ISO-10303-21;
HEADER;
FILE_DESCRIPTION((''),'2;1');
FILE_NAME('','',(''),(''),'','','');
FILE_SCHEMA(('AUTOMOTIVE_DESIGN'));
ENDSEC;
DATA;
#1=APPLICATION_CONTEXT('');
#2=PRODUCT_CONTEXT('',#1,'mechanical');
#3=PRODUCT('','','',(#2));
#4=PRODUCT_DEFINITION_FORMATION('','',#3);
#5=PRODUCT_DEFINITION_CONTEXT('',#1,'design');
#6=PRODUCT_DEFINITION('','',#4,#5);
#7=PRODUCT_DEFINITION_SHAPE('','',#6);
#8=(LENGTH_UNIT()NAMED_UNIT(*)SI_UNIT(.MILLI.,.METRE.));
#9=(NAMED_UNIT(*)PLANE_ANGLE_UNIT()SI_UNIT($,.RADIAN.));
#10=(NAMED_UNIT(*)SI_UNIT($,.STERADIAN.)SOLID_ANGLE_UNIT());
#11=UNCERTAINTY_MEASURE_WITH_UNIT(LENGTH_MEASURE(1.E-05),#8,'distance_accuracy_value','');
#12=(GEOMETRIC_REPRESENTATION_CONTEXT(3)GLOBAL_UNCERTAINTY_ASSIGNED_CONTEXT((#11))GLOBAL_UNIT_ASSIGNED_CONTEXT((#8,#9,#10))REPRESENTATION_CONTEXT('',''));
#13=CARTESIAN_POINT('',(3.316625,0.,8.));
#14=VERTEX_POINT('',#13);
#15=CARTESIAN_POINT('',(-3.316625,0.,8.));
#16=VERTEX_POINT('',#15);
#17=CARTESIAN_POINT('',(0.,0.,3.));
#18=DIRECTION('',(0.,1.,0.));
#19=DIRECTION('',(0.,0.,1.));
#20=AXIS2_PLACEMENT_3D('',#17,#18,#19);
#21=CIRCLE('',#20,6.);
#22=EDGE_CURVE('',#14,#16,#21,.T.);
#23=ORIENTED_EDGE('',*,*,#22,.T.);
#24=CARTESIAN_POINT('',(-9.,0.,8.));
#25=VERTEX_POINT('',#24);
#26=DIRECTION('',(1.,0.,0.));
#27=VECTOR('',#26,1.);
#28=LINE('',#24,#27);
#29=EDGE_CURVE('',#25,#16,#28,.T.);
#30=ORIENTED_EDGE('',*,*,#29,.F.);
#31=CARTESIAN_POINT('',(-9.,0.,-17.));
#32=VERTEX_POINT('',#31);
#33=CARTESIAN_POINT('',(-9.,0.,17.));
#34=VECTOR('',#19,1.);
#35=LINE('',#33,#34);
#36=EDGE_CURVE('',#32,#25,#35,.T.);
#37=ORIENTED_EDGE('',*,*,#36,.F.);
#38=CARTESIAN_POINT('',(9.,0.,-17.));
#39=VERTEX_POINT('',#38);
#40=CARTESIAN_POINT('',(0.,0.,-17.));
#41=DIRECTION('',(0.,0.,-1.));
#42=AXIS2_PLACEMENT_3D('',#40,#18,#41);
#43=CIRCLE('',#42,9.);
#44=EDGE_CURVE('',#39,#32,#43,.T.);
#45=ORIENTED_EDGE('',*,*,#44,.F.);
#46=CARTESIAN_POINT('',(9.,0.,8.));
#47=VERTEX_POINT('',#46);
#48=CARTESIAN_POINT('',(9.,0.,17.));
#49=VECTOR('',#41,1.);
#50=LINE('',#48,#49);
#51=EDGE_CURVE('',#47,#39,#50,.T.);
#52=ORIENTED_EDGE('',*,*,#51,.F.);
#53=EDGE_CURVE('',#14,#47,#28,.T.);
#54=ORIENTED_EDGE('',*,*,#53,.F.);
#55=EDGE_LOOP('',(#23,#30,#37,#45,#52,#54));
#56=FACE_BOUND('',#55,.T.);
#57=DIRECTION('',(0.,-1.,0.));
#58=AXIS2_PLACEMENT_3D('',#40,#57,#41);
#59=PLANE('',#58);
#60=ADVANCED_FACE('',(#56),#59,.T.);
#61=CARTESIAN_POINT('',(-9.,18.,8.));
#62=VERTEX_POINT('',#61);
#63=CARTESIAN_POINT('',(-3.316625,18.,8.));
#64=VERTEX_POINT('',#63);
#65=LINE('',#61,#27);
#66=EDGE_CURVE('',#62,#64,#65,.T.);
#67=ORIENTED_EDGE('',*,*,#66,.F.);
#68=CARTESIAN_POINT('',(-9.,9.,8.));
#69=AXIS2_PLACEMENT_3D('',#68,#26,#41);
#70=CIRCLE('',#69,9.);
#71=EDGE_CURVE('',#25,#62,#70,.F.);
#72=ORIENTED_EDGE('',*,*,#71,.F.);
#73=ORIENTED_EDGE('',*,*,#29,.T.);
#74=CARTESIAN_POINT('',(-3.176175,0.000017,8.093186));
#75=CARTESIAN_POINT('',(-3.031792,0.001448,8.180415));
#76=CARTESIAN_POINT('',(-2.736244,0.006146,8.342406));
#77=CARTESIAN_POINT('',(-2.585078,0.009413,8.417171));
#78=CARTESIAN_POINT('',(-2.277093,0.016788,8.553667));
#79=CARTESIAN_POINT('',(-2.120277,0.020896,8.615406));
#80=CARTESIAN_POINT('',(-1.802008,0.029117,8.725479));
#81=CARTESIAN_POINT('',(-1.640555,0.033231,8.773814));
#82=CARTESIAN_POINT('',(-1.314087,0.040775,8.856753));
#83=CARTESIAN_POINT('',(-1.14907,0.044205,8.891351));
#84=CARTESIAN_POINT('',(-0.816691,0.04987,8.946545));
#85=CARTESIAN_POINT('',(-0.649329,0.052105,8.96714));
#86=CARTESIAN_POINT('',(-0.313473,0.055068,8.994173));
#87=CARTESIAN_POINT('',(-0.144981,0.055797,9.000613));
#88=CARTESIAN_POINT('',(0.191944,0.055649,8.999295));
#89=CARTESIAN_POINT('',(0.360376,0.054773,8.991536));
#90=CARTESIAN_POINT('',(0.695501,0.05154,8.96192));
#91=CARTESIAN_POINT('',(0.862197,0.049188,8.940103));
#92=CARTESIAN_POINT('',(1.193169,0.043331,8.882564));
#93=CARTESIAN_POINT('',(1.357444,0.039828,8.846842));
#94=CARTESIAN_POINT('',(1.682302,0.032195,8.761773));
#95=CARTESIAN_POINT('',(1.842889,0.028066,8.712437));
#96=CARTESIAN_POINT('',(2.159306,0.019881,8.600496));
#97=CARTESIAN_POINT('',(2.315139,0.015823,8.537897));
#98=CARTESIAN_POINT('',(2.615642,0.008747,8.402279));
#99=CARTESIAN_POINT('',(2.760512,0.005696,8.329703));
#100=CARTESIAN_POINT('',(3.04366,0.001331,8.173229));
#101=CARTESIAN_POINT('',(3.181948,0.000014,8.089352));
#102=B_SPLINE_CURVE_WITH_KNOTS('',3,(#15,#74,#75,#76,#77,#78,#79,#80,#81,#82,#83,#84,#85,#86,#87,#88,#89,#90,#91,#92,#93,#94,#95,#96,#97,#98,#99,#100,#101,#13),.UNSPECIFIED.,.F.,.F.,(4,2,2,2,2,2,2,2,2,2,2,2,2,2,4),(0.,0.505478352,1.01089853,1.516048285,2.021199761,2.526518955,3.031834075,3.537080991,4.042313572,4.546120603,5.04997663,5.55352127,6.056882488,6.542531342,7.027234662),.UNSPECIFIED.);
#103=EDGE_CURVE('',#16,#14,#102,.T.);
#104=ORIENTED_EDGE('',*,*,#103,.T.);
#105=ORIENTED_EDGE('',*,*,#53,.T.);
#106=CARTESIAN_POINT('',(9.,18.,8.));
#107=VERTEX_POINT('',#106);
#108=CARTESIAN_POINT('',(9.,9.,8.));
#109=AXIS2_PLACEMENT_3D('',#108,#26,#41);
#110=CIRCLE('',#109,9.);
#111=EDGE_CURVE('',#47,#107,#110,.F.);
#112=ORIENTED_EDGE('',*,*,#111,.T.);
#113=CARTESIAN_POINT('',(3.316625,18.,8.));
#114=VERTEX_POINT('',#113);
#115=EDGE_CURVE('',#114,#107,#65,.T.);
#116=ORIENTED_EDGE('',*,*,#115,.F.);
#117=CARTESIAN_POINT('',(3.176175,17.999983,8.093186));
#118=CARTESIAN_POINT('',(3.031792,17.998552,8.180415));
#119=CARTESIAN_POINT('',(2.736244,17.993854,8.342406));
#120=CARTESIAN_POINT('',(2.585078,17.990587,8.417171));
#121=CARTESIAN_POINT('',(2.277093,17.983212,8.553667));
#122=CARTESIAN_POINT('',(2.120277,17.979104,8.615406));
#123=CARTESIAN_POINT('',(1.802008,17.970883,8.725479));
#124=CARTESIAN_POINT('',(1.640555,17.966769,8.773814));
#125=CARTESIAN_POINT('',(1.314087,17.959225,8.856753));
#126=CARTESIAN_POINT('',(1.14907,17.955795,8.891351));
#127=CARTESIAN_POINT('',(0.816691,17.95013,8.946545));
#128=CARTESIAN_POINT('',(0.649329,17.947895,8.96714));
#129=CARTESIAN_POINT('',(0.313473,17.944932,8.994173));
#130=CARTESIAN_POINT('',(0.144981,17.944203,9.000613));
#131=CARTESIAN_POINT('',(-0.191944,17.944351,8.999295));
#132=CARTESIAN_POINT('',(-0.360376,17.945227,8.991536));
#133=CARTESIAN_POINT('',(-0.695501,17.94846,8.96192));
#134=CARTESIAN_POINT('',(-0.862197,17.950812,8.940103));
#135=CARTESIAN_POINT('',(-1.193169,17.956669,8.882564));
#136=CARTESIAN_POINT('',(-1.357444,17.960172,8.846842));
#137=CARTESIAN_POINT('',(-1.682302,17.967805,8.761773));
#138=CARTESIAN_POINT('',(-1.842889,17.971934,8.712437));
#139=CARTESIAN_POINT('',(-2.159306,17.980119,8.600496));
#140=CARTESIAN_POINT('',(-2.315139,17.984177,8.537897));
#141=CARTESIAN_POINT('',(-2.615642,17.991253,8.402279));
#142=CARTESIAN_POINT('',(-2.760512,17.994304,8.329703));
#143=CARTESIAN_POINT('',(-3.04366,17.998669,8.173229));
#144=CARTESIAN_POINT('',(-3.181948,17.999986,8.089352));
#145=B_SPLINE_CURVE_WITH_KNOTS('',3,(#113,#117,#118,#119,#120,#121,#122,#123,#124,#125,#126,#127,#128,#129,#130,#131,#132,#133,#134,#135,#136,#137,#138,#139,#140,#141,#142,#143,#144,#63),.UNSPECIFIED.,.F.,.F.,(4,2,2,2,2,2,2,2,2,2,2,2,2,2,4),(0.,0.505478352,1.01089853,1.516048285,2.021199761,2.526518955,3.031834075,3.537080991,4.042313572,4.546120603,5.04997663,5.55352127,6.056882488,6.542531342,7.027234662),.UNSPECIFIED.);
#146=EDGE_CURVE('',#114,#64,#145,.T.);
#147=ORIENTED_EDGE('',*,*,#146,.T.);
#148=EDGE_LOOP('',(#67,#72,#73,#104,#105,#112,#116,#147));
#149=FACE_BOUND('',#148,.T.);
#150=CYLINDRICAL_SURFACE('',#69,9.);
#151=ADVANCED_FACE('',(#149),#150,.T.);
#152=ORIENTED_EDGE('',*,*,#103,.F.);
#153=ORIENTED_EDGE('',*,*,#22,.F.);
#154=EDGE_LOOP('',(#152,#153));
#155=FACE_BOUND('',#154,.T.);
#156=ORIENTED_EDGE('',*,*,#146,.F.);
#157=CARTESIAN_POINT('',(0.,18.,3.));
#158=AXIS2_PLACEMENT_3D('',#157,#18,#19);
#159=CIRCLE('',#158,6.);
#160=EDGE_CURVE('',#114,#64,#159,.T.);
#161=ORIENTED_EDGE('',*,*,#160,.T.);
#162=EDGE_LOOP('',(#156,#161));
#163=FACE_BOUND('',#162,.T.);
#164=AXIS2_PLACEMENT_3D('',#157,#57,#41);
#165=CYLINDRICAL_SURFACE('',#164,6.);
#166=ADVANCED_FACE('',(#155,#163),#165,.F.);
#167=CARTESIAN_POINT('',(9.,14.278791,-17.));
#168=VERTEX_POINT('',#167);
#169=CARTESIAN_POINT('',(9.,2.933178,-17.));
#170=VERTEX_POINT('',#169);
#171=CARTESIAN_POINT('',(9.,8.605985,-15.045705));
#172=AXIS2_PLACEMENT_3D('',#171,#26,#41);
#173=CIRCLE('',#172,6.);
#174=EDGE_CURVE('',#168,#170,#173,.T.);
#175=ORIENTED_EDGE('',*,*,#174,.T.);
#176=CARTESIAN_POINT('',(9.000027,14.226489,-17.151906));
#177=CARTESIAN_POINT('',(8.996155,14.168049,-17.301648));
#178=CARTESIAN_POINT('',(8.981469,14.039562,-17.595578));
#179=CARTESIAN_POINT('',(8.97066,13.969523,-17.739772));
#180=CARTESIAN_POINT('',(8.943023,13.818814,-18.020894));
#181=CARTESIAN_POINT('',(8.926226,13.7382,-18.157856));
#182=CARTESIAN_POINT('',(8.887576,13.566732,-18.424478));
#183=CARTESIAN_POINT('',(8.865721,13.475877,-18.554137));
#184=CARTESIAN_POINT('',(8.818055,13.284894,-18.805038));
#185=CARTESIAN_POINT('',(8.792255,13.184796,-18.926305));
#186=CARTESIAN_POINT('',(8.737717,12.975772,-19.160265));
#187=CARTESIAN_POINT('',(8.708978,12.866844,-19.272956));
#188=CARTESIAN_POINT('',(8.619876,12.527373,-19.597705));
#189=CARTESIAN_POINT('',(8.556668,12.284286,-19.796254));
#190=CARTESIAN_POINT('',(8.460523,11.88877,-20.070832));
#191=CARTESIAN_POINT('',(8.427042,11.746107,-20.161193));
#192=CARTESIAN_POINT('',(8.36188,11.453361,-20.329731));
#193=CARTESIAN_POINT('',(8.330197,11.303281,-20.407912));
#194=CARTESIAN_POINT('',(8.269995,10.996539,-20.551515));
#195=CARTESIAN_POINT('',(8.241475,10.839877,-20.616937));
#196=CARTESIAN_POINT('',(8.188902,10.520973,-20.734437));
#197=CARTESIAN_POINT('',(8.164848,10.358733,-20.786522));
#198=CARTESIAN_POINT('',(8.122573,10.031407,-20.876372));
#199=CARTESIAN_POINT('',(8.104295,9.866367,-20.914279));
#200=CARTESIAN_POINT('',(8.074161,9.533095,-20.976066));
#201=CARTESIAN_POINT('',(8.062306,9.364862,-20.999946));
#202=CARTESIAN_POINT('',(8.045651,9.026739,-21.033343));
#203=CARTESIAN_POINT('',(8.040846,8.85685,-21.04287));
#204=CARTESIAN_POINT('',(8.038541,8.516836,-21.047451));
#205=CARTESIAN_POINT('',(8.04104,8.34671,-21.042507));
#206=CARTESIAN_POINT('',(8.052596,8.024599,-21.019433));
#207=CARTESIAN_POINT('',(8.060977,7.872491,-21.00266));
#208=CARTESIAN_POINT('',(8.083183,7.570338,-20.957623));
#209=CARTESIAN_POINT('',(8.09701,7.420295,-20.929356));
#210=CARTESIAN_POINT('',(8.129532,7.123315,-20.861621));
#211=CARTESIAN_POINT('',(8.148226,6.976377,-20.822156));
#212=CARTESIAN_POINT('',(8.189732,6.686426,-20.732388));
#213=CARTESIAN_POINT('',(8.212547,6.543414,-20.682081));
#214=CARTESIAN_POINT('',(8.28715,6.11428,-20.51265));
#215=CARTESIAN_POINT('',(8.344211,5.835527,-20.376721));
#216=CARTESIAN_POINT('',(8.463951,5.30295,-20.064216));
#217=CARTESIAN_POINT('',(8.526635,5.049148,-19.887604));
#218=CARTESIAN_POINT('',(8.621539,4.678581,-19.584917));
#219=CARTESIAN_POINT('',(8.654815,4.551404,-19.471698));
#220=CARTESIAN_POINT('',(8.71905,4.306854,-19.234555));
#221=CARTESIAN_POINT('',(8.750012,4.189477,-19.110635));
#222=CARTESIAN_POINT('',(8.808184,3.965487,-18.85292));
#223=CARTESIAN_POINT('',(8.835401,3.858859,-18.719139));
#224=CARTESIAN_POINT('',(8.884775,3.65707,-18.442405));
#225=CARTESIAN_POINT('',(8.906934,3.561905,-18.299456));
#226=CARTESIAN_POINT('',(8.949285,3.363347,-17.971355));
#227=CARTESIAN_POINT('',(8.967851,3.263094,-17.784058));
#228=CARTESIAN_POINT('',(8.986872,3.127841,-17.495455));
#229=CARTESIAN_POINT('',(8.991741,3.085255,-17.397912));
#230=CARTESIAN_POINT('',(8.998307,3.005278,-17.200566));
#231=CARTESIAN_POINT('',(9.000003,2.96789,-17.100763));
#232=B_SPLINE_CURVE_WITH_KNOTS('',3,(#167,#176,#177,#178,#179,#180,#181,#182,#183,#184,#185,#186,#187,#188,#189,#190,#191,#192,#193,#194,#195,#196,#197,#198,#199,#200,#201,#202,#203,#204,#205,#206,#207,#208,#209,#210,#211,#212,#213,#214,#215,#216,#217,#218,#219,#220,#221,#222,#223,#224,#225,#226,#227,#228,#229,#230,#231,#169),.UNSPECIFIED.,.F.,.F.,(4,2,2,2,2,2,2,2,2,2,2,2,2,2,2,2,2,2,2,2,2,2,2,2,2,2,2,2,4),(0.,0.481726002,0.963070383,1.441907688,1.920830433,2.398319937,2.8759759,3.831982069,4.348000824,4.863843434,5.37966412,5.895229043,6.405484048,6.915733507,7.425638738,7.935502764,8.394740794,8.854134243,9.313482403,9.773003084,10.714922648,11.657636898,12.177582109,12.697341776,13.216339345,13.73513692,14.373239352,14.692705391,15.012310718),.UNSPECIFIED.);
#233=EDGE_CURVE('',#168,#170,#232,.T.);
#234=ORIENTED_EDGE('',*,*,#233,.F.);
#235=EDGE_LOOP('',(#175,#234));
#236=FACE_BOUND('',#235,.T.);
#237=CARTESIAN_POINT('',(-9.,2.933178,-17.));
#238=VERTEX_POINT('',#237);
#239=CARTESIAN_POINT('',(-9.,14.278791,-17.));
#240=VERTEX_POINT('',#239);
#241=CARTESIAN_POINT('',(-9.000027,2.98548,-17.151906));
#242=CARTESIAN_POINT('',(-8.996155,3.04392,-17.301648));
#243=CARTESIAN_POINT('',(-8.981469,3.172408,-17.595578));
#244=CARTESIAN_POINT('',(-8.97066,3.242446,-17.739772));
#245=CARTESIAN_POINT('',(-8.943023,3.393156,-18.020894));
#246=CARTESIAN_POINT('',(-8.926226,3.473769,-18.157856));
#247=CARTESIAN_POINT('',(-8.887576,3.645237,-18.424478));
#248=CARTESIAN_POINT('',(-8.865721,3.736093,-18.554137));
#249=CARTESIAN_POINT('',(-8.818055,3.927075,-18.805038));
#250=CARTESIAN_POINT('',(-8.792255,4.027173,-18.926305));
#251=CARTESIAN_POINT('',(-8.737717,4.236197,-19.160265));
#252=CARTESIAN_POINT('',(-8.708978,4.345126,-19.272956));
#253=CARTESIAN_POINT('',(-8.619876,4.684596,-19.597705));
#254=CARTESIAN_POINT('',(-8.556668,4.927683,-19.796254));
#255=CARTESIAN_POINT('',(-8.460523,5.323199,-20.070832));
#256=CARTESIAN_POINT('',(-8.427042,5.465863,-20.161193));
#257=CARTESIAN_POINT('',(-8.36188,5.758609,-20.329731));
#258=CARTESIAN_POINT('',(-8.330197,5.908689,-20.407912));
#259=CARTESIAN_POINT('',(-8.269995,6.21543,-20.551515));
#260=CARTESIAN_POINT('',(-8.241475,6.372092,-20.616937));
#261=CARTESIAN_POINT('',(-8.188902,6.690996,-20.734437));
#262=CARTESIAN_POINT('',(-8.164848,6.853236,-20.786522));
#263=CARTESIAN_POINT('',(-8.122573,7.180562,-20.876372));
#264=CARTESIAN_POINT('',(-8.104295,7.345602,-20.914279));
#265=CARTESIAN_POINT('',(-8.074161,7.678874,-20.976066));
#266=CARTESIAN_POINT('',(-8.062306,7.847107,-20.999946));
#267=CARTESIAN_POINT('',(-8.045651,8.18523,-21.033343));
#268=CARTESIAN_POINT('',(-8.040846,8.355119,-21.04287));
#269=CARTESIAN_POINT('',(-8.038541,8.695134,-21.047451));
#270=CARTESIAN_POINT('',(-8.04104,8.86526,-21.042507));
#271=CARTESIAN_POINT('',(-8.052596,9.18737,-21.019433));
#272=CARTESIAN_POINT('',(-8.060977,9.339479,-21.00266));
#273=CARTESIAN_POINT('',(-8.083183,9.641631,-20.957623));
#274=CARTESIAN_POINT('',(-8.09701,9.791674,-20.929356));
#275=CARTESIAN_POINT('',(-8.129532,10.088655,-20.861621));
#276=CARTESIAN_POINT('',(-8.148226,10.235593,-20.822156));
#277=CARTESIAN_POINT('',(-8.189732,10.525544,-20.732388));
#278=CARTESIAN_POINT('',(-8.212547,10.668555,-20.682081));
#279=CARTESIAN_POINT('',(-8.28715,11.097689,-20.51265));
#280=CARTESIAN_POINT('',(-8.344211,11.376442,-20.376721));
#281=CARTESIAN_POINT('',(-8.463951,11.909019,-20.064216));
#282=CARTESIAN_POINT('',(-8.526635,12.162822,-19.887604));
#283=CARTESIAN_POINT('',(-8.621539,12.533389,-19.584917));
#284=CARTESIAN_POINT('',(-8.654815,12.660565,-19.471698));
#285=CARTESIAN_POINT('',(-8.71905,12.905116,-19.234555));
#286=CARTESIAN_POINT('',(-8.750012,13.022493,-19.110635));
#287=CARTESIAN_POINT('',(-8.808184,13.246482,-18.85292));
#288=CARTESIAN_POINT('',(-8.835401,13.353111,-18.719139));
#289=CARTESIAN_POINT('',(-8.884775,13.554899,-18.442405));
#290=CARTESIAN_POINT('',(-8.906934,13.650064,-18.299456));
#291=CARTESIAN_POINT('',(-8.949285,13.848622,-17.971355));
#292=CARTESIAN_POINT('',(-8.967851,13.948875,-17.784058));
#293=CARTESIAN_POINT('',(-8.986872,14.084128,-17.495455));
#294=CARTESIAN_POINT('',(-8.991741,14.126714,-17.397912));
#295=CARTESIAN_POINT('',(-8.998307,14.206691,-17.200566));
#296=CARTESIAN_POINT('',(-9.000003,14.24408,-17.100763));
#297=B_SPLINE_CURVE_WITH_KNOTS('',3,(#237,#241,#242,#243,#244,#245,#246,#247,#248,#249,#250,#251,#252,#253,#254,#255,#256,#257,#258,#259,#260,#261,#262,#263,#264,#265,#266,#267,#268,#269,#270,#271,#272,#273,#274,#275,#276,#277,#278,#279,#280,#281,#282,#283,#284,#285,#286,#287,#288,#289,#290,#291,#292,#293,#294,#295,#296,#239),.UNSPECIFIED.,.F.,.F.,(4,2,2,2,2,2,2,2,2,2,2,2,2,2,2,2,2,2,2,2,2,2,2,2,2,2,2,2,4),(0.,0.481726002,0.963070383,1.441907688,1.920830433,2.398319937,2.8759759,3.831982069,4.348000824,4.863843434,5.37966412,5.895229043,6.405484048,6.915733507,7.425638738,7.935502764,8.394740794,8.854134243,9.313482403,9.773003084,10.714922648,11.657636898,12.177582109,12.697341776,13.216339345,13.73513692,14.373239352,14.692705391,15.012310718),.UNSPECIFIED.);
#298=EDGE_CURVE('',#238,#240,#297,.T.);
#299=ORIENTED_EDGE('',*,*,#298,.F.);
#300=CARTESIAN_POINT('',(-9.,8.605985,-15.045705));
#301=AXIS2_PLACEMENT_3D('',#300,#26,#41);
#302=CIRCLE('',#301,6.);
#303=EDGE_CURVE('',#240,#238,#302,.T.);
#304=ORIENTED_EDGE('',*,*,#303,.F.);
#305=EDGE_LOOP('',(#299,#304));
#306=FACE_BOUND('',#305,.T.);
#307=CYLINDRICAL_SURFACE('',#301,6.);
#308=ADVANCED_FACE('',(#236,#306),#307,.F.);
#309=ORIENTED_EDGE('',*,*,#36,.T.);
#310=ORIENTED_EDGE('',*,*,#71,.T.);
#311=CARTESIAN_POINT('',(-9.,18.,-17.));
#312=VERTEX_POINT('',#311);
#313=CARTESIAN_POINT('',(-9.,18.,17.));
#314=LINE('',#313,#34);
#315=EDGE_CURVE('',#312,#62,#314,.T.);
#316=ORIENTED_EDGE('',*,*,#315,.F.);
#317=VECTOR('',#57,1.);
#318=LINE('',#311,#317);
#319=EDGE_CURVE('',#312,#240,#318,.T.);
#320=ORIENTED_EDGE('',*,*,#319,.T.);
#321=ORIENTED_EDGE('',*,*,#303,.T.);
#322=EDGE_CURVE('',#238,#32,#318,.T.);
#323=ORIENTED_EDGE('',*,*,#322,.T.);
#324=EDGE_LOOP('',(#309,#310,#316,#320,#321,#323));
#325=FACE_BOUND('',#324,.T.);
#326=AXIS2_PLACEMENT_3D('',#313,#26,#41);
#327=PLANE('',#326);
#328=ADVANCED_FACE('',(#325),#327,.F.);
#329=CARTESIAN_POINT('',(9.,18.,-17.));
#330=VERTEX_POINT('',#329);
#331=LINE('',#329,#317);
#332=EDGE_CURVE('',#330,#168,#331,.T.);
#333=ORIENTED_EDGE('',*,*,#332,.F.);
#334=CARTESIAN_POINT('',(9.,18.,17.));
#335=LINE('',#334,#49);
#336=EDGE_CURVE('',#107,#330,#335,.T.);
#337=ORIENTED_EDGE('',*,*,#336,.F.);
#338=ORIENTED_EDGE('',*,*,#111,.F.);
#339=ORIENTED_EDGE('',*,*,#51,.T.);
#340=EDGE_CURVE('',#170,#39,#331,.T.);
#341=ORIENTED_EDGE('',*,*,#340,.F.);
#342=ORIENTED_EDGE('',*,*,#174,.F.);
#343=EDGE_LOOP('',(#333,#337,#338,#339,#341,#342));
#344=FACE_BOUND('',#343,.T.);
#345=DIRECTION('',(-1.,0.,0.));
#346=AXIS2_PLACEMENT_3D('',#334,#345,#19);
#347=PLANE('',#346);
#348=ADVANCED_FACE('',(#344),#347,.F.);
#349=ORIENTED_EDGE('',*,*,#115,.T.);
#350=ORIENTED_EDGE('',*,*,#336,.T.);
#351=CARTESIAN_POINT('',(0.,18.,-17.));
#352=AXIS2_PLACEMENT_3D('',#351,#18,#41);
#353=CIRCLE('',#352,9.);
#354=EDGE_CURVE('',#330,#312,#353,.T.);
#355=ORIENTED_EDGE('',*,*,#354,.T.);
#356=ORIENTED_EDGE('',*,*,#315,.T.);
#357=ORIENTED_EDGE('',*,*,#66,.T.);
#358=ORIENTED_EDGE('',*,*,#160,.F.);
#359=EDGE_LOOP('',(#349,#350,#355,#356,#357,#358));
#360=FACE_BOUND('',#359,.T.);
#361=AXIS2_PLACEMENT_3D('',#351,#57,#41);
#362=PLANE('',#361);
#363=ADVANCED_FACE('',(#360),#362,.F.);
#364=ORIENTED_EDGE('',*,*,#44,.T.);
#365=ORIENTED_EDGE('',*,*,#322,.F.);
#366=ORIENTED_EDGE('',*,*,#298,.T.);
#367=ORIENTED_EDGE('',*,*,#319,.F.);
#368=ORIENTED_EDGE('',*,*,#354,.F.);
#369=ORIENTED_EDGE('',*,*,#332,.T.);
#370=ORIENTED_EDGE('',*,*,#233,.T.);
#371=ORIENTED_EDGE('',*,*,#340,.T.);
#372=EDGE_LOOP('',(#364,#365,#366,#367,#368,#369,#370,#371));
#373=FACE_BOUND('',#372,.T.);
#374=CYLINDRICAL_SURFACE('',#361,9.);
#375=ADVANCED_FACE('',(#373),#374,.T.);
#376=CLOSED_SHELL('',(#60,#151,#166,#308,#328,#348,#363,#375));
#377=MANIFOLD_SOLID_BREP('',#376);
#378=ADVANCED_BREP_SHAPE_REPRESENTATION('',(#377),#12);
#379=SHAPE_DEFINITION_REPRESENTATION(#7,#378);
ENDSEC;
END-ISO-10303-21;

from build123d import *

# Parameters (mm, degrees)
SKETCH1_R           = 6
BOSS_EXTRUDE1_DEPTH = 18
CUT_EXTRUDE3_DEPTH  = 18


with BuildPart() as part:
    # Sketch1 → Boss-Extrude1 (new body)
    with BuildSketch(Plane(origin=(0, 0, 0), x_dir=(1, 0, 0), z_dir=(0, 1, 0))):
        with BuildLine():
            Line((-9, -17), (9, -17))
            Line((9, -17), (9, 17))
            ThreePointArc((9, 17), (0, 26), (-9, 17))
            Line((-9, 17), (-9, -17))
        make_face()
        with Locations(Location((0, -3, 0), (0, 0, 270))):  # turned: the seam where the file's is
            Circle(SKETCH1_R, mode=Mode.SUBTRACT)
    extrude(amount=BOSS_EXTRUDE1_DEPTH)

    # Sketch2 → Cut-Extrude3 (cut)
    with BuildSketch(Plane(origin=(9, 0, 0), x_dir=(0, 0, -1), z_dir=(1, 0, 0))):
        with BuildLine():
            ThreePointArc((-8, 0), (-14.363961031, 2.636038969), (-17, 9))
            Line((-17, 9), (-17, 0))
            Line((-17, 0), (-8, 0))
        make_face()
        with BuildLine():
            ThreePointArc((-17, 9), (-14.363961031, 15.363961031), (-8, 18))
            Line((-8, 18), (-17, 18))
            Line((-17, 18), (-17, 9))
        make_face()
        with BuildLine():
            Line((17, 2.933178288), (17, 14.278790993))
            ThreePointArc((17, 14.278790993), (9.04570522, 8.60598464), (17, 2.933178288))
        make_face()
        with BuildLine():
            ThreePointArc((21.04570522, 8.60598464), (19.930670352, 12.089820982), (17, 14.278790993))
            Line((17, 14.278790993), (17, 2.933178288))
            ThreePointArc((17, 2.933178288), (19.930670352, 5.122148298), (21.04570522, 8.60598464))
        make_face()
    extrude(amount=-CUT_EXTRUDE3_DEPTH, mode=Mode.SUBTRACT)


solid = part.part
